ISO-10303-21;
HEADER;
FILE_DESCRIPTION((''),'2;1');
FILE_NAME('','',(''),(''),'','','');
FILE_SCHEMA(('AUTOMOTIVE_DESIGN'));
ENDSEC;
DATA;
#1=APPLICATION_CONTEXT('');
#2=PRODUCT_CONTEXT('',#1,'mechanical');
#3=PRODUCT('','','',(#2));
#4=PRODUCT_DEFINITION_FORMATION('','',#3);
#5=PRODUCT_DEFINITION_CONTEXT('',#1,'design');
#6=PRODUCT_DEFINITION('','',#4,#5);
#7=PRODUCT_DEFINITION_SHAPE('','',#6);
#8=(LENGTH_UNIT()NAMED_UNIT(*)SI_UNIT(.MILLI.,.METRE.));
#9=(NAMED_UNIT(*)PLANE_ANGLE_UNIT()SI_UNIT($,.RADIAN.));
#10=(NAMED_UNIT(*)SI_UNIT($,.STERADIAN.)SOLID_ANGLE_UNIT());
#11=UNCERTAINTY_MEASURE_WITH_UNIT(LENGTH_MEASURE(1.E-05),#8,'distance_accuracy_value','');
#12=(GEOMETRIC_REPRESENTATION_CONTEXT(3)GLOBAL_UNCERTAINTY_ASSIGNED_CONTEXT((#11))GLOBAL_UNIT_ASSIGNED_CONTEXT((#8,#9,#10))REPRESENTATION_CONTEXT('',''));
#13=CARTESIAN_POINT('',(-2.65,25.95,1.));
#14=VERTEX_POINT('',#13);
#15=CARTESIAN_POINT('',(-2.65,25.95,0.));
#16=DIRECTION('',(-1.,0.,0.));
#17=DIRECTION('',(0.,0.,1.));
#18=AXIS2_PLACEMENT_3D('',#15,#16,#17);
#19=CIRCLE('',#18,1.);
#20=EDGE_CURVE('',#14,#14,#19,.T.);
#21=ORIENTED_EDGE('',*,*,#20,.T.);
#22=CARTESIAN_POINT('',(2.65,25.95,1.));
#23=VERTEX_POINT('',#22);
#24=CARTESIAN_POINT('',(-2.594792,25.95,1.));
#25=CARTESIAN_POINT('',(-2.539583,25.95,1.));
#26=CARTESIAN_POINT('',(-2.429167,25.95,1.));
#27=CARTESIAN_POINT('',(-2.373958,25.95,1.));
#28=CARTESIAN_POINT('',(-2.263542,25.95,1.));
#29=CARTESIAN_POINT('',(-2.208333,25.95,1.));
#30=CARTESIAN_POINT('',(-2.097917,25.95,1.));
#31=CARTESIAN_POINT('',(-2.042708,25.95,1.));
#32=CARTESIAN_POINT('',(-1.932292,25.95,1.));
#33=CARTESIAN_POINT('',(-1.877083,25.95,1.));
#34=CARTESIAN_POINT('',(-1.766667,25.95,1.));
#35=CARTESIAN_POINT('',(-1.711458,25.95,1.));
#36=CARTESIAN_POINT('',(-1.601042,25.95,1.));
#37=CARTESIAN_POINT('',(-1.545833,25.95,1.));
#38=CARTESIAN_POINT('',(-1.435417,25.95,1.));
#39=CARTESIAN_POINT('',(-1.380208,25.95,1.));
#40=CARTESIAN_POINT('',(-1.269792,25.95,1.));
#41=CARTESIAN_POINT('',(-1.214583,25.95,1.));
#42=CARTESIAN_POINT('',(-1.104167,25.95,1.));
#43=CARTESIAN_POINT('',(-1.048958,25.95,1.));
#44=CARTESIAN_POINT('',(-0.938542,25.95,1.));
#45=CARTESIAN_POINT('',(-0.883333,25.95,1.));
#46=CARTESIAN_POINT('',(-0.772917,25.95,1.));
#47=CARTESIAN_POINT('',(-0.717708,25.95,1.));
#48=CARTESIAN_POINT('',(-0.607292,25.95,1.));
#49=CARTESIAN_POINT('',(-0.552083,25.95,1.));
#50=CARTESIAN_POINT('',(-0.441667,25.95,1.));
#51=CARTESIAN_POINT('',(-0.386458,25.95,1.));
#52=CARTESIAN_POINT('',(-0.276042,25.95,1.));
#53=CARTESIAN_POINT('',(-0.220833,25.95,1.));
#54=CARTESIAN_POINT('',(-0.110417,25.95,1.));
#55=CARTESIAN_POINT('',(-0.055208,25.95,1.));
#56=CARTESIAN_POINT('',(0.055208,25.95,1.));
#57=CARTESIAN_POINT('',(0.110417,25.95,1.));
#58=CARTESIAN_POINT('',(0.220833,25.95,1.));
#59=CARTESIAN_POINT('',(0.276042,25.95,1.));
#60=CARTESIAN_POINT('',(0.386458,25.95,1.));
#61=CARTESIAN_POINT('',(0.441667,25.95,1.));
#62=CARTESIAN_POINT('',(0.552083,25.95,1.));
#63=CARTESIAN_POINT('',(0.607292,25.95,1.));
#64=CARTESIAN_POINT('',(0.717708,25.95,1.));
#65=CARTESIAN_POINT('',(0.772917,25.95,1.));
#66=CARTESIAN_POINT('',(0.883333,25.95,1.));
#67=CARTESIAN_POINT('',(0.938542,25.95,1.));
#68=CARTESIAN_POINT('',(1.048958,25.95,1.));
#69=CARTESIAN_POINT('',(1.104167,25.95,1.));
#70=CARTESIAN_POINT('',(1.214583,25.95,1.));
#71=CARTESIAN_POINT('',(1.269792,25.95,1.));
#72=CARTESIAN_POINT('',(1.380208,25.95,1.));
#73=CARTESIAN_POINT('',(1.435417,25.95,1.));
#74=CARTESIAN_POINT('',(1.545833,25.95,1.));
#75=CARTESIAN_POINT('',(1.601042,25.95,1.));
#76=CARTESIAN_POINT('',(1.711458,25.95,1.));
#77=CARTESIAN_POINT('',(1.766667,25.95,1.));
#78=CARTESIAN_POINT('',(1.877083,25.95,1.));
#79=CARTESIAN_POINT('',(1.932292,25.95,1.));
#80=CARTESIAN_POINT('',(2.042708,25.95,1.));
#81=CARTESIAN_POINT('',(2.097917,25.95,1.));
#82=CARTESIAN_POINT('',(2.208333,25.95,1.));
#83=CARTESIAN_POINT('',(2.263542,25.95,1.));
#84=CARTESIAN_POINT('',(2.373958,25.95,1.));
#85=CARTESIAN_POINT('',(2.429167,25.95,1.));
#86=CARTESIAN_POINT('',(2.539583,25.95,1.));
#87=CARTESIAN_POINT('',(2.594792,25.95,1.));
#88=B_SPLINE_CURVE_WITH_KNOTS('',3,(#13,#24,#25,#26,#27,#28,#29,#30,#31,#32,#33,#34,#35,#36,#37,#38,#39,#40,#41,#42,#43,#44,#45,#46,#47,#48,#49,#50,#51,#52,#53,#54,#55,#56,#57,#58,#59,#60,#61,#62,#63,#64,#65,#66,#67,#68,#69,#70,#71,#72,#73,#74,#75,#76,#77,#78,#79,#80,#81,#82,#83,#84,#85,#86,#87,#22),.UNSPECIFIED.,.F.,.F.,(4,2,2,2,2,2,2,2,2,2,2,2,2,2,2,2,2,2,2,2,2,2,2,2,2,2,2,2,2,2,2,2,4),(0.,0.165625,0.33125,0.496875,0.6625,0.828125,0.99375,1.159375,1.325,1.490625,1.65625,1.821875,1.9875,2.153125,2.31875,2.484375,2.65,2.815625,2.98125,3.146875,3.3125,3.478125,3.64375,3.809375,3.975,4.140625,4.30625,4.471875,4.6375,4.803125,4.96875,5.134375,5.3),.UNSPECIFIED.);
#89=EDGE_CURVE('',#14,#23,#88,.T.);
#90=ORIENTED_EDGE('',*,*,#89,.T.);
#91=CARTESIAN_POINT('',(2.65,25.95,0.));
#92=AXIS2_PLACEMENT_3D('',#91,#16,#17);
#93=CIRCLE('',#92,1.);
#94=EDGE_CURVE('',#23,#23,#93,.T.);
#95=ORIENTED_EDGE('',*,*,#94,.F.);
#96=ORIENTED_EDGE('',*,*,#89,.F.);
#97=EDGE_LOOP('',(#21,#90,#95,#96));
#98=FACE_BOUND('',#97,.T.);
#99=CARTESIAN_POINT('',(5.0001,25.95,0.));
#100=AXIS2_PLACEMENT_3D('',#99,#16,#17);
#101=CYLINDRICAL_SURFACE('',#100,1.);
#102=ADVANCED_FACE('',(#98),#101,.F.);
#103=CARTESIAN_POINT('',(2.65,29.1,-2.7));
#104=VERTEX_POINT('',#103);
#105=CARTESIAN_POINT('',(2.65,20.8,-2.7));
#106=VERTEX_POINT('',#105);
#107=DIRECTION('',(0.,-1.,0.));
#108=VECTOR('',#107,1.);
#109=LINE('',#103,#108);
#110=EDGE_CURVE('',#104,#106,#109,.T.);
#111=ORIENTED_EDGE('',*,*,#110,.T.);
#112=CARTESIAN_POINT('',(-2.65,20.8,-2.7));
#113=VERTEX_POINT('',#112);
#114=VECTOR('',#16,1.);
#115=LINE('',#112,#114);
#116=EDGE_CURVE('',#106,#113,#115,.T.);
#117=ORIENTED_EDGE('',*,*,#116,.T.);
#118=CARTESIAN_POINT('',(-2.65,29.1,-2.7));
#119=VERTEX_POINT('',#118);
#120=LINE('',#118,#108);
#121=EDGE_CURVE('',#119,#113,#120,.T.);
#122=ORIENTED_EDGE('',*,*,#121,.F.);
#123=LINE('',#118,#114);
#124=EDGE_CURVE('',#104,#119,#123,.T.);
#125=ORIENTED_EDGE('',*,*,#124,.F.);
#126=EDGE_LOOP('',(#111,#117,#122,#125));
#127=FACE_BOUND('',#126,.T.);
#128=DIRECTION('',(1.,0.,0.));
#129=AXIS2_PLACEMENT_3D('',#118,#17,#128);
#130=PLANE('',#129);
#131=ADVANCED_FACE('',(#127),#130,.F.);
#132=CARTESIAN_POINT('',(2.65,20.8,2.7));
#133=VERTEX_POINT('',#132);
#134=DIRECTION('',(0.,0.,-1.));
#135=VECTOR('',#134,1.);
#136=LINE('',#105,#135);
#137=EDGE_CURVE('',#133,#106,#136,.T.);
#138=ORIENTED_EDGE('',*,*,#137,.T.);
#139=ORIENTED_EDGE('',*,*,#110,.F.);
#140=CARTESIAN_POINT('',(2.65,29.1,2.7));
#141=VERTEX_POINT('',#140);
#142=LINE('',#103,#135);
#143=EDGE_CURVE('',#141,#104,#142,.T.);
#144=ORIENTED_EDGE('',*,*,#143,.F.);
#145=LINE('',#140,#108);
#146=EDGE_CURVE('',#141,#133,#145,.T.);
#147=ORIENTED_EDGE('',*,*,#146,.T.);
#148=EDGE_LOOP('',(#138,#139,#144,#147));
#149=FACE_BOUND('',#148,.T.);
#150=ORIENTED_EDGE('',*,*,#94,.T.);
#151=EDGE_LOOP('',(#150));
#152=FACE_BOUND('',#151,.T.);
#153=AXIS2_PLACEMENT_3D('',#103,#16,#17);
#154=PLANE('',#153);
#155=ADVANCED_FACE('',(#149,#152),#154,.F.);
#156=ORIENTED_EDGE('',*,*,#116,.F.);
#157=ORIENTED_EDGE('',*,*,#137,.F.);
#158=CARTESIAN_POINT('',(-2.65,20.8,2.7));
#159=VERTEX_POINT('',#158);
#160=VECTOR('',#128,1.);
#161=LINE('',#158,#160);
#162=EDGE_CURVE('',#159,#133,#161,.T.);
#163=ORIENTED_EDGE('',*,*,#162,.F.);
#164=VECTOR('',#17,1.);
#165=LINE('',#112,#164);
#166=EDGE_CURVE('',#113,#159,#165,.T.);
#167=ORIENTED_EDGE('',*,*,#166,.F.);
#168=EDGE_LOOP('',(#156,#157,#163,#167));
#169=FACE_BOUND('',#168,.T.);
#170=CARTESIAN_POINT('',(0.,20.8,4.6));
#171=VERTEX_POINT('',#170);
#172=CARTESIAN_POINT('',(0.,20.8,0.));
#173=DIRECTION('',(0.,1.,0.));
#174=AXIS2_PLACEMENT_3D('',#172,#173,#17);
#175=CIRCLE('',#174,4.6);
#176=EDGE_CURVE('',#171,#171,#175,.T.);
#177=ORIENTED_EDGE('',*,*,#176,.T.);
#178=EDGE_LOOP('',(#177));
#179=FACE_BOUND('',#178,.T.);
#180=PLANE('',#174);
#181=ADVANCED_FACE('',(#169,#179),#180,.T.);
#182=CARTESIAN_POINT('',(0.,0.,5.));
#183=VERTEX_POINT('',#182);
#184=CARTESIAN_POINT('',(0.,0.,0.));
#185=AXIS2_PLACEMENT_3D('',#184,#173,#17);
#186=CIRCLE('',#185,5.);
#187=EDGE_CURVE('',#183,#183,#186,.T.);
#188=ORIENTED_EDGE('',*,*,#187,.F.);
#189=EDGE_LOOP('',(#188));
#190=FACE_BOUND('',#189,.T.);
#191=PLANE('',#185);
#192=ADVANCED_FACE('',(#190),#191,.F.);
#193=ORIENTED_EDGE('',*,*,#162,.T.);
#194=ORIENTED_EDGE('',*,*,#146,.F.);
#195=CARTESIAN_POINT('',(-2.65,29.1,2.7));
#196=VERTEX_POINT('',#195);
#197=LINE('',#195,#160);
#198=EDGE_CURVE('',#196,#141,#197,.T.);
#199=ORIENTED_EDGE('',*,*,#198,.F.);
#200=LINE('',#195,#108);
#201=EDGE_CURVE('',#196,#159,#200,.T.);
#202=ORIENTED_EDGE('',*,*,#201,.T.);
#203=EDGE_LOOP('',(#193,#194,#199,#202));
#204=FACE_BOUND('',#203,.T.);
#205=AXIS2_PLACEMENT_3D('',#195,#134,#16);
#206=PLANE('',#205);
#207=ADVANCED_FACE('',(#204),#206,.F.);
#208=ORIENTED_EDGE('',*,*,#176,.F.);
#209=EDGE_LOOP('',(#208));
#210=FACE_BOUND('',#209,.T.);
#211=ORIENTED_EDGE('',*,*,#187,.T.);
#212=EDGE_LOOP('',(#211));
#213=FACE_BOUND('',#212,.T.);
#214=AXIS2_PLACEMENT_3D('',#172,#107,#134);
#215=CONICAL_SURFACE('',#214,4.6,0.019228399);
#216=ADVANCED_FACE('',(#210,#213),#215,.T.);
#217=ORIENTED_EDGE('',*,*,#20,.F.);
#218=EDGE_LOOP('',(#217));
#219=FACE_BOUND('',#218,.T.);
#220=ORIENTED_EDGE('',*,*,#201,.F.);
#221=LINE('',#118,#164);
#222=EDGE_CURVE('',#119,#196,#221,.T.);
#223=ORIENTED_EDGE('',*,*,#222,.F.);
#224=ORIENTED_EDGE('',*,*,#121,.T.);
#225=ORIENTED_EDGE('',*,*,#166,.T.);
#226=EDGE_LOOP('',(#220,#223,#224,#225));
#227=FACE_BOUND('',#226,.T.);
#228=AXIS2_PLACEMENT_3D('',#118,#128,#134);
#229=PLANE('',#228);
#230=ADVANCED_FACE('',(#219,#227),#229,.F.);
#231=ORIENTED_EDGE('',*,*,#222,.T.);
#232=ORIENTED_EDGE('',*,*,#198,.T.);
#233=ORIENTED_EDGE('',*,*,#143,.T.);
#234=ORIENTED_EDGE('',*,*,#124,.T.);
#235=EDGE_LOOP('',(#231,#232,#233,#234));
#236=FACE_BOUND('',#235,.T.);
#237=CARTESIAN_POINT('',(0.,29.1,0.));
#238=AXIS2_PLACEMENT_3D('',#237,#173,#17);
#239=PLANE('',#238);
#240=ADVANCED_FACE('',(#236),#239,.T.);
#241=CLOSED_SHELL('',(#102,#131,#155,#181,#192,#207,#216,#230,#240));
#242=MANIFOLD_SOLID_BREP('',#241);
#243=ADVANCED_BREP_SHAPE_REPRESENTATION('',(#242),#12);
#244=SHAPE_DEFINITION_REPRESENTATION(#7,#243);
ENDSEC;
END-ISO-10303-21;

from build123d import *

# Parameters (mm, degrees)
SKETCH1_R           = 5
SKETCH2_R           = 4.6
SKETCH3_W           = 5.3
SKETCH3_H           = 5.4
BOSS_EXTRUDE1_DEPTH = 8.3
SKETCH4_R           = 1
CUT_EXTRUDE1_DEPTH  = 31.501352471


with BuildPart() as part:
    # Sketch1 → Loft1 section 0
    with BuildSketch(Plane(origin=(0, 0, 0), x_dir=(1, 0, 0), z_dir=(0, 1, 0))):
        Circle(SKETCH1_R)
    # Sketch2 → Loft1 section 1
    with BuildSketch(Plane(origin=(0, 20.8, 0), x_dir=(1, 0, 0), z_dir=(0, 1, 0))):
        Circle(SKETCH2_R)
    loft()

    # Sketch3 → Boss-Extrude1 (add)
    with BuildSketch(Plane(origin=(0, 20.8, 0), x_dir=(1, 0, 0), z_dir=(0, 1, 0))):
        Rectangle(SKETCH3_W, SKETCH3_H)
    extrude(amount=BOSS_EXTRUDE1_DEPTH)

    # Sketch4 → Cut-Extrude1 (cut, through all)
    with BuildSketch(Plane.ZY.offset(2.65)):
        with Locations((0, 25.95)):
            Circle(SKETCH4_R)
    extrude(amount=-CUT_EXTRUDE1_DEPTH, mode=Mode.SUBTRACT)


solid = part.part
